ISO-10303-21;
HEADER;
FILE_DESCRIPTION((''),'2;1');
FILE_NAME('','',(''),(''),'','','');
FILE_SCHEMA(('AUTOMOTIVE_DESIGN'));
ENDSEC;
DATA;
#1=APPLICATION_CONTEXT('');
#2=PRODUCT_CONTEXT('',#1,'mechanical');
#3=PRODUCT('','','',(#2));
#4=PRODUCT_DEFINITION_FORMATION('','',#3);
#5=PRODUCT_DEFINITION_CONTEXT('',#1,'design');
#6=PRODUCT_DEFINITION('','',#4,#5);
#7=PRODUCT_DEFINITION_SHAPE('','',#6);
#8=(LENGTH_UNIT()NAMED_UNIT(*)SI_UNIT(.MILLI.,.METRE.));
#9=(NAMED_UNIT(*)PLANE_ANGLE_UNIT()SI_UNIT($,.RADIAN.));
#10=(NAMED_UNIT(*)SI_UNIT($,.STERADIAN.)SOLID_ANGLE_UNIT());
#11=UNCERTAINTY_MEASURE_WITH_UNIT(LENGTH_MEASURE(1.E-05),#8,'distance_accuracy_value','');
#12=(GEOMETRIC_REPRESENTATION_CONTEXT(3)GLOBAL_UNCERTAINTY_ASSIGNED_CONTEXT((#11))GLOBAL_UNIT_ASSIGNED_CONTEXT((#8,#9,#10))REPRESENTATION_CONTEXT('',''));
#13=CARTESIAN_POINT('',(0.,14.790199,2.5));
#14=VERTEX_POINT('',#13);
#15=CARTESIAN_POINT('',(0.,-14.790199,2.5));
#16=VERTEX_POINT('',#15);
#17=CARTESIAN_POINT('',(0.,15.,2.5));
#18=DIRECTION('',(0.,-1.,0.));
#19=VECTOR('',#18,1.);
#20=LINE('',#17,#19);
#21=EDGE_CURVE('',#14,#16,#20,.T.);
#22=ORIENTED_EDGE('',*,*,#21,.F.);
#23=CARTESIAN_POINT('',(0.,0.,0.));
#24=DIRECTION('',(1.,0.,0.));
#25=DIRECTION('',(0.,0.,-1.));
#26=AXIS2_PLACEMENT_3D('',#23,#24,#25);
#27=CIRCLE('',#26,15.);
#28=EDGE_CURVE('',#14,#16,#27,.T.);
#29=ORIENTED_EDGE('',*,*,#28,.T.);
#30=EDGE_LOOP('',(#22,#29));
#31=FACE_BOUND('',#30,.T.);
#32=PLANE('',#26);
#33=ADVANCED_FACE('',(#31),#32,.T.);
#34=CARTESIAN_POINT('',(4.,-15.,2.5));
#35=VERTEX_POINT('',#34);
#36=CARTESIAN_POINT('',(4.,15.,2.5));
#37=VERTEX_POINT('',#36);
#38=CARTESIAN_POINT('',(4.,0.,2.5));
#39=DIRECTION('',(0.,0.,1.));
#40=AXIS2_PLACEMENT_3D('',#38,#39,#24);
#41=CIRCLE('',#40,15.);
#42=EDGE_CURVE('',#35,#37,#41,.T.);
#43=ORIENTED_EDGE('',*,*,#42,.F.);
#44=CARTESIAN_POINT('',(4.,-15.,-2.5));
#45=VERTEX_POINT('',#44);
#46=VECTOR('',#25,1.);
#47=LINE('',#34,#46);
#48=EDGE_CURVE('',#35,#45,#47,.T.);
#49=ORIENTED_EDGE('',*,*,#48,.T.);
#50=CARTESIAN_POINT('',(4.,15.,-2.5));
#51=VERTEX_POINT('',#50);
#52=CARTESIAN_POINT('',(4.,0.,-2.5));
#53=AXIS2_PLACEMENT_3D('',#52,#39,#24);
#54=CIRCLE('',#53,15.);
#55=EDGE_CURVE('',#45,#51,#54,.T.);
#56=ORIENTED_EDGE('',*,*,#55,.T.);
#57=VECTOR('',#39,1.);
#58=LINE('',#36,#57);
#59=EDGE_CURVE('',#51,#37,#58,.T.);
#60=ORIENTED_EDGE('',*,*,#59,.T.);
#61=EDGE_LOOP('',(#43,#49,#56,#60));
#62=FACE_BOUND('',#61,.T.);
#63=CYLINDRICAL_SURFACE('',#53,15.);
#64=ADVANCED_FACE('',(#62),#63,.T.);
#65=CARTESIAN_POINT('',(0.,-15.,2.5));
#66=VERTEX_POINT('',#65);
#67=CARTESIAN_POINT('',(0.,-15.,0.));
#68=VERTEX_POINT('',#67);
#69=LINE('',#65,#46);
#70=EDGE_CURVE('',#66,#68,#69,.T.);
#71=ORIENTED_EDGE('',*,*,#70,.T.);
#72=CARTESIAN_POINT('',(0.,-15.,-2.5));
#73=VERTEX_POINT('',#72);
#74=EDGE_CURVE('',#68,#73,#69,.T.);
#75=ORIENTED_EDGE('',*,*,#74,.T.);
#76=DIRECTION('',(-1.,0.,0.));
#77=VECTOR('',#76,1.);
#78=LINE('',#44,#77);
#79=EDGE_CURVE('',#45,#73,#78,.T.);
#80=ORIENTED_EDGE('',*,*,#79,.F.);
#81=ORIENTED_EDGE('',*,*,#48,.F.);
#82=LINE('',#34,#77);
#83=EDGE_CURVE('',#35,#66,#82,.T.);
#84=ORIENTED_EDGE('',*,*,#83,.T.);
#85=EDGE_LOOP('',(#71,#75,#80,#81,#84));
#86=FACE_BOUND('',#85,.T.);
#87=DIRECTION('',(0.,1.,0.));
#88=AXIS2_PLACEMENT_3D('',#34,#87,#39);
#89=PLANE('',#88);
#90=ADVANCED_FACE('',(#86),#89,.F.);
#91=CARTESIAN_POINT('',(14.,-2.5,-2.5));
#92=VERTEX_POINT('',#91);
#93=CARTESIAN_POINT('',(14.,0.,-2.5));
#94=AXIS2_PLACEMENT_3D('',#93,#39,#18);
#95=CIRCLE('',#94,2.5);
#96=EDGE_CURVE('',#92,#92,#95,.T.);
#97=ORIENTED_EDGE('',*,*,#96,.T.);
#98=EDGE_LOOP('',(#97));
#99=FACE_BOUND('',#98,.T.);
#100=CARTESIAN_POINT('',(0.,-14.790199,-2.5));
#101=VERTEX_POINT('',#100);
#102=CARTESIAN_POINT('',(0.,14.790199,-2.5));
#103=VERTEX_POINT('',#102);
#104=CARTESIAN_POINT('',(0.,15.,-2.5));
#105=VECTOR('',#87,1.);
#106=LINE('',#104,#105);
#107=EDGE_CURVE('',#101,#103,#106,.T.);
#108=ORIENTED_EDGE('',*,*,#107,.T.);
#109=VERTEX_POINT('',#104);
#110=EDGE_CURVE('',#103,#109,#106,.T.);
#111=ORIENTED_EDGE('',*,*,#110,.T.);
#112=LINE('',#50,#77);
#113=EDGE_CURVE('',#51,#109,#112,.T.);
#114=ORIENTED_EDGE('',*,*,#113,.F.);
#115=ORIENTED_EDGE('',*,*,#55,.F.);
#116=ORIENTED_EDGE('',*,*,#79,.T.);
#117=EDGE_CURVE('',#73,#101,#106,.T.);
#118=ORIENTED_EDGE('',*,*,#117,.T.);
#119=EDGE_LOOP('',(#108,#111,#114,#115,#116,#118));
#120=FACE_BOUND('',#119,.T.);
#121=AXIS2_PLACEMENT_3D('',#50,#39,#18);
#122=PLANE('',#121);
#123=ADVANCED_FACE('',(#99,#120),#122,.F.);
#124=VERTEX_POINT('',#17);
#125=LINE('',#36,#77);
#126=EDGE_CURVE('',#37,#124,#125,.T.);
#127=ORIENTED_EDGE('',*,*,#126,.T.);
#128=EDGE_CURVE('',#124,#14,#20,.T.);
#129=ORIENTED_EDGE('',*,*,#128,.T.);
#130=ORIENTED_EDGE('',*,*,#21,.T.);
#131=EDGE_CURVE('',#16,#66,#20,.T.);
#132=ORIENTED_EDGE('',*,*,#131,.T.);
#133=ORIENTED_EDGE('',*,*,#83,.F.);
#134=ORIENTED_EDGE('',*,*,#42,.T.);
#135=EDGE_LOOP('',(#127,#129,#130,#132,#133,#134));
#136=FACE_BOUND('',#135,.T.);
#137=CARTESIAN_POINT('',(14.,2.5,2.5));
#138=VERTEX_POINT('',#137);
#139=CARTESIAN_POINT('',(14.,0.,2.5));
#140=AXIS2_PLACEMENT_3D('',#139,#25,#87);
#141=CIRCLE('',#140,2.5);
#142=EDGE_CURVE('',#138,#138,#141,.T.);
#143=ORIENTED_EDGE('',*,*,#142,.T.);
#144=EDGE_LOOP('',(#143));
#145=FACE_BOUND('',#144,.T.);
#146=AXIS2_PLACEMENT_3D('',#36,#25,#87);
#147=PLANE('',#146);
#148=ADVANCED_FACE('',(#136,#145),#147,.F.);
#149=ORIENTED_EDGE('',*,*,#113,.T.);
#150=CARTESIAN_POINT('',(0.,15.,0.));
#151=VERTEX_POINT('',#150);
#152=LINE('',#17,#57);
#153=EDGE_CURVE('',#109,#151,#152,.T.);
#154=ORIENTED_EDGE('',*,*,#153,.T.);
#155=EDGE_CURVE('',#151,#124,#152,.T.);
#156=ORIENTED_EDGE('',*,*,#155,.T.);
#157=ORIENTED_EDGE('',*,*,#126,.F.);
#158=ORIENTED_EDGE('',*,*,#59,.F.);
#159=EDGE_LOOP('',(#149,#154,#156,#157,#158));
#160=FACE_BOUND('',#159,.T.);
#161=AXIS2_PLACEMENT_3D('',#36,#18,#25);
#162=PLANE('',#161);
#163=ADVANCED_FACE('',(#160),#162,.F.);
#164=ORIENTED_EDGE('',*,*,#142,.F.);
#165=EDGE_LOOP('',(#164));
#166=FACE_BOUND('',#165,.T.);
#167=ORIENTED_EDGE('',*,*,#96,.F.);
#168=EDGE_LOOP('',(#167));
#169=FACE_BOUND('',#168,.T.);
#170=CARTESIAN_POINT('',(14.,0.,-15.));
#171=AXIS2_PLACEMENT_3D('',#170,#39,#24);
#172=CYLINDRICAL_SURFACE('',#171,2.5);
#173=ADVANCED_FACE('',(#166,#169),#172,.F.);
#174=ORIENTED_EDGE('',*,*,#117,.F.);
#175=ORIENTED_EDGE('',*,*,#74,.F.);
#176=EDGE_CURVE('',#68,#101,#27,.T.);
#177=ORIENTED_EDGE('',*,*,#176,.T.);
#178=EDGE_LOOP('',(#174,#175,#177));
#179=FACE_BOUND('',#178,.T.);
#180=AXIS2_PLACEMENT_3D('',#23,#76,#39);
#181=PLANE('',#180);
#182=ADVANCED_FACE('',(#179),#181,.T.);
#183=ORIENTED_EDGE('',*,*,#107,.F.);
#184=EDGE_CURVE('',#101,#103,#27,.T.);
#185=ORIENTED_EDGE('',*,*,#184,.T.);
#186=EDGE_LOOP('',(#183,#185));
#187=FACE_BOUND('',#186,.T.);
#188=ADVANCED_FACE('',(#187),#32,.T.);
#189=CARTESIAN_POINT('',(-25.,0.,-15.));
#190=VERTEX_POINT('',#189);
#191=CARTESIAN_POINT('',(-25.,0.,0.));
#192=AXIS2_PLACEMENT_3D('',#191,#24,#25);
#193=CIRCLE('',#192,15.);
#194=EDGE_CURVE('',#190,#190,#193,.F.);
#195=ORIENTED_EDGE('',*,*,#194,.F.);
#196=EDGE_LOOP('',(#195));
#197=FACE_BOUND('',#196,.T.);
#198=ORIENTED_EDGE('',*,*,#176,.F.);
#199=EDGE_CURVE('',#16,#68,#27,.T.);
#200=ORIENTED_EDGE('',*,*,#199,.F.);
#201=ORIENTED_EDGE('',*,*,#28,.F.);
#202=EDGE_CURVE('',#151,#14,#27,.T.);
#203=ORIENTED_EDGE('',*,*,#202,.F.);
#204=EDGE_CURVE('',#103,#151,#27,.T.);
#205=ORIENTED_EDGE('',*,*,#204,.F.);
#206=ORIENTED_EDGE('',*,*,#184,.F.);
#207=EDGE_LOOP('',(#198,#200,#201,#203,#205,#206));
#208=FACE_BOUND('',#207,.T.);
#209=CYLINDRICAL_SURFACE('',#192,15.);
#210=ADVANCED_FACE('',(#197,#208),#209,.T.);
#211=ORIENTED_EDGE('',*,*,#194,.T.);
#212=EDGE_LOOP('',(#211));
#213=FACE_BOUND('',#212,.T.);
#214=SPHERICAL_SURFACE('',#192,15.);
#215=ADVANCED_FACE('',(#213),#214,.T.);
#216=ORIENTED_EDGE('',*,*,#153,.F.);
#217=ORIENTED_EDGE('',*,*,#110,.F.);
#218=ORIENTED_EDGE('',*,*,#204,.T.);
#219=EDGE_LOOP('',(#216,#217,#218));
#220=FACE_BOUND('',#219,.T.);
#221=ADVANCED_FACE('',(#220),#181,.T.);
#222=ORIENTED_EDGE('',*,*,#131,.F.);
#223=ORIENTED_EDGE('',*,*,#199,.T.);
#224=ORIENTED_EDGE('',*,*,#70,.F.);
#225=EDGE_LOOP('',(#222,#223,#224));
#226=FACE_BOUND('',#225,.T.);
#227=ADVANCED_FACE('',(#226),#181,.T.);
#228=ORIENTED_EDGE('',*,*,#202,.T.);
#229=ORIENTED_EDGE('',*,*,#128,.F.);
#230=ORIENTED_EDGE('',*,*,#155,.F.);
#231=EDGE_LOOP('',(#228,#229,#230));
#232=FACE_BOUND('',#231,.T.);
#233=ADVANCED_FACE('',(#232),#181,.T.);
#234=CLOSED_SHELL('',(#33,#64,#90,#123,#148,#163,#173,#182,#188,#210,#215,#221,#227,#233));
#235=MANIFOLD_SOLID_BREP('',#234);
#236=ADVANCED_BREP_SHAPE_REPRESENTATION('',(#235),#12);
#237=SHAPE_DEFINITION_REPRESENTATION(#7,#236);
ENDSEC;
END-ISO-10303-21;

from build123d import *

# Parameters (mm, degrees)
SKETCH2_R               = 15
BOSS_EXTRUDE1_DEPTH     = 25
SKETCH7_W               = 5
SKETCH7_H               = 30
BOSS_EXTRUDE2_DEPTH     = 4
BOSS_EXTRUDE3_DEPTH     = 5
CUT_EXTRUDE3_DEPTH      = 35.003676272
CUT_EXTRUDE3_DEPTH_BACK = 35.003676272
SKETCH9_R               = 2.5


with BuildPart() as part:
    # Sketch2 → Boss-Extrude1 (new body)
    with BuildSketch(Plane(origin=(0, 0, 0), x_dir=(0, 0, -1), z_dir=(1, 0, 0))):
        Circle(SKETCH2_R)
    extrude(amount=-BOSS_EXTRUDE1_DEPTH)

    # Sketch7 → Boss-Extrude2 (add)
    with BuildSketch(Plane(origin=(0, 0, 0), x_dir=(0, 0, -1), z_dir=(1, 0, 0))):
        Rectangle(SKETCH7_W, SKETCH7_H)
    extrude(amount=BOSS_EXTRUDE2_DEPTH)

    # Sketch8 → Boss-Extrude3 (add)
    with BuildSketch(Plane.XY.offset(2.5)):
        with BuildLine():
            Line((4, 15), (4, -15))
            ThreePointArc((4, -15), (19, 0), (4, 15))
        make_face()
    extrude(amount=-BOSS_EXTRUDE3_DEPTH)

    # Sketch9 → Cut-Extrude3 (cut, two sides: drawn at the far end of the back side and taken through both)
    with BuildSketch(Plane.XY.offset(2.5).offset(-CUT_EXTRUDE3_DEPTH_BACK)):
        with Locations(Location((14, 0, 0), (0, 0, 270))):
            Circle(SKETCH9_R)
    extrude(amount=CUT_EXTRUDE3_DEPTH + CUT_EXTRUDE3_DEPTH_BACK, mode=Mode.SUBTRACT)

    # Sketch10 → Revolve1 (revolve)
    with BuildSketch(Plane.ZY.offset(25)):
        with BuildLine():
            Line((0, 15), (0, -15))
            ThreePointArc((0, -15), (15, 0), (0, 15))
        make_face()
    revolve(axis=Axis((-25, 15, 0), (0, -1, 0)))


solid = part.part
